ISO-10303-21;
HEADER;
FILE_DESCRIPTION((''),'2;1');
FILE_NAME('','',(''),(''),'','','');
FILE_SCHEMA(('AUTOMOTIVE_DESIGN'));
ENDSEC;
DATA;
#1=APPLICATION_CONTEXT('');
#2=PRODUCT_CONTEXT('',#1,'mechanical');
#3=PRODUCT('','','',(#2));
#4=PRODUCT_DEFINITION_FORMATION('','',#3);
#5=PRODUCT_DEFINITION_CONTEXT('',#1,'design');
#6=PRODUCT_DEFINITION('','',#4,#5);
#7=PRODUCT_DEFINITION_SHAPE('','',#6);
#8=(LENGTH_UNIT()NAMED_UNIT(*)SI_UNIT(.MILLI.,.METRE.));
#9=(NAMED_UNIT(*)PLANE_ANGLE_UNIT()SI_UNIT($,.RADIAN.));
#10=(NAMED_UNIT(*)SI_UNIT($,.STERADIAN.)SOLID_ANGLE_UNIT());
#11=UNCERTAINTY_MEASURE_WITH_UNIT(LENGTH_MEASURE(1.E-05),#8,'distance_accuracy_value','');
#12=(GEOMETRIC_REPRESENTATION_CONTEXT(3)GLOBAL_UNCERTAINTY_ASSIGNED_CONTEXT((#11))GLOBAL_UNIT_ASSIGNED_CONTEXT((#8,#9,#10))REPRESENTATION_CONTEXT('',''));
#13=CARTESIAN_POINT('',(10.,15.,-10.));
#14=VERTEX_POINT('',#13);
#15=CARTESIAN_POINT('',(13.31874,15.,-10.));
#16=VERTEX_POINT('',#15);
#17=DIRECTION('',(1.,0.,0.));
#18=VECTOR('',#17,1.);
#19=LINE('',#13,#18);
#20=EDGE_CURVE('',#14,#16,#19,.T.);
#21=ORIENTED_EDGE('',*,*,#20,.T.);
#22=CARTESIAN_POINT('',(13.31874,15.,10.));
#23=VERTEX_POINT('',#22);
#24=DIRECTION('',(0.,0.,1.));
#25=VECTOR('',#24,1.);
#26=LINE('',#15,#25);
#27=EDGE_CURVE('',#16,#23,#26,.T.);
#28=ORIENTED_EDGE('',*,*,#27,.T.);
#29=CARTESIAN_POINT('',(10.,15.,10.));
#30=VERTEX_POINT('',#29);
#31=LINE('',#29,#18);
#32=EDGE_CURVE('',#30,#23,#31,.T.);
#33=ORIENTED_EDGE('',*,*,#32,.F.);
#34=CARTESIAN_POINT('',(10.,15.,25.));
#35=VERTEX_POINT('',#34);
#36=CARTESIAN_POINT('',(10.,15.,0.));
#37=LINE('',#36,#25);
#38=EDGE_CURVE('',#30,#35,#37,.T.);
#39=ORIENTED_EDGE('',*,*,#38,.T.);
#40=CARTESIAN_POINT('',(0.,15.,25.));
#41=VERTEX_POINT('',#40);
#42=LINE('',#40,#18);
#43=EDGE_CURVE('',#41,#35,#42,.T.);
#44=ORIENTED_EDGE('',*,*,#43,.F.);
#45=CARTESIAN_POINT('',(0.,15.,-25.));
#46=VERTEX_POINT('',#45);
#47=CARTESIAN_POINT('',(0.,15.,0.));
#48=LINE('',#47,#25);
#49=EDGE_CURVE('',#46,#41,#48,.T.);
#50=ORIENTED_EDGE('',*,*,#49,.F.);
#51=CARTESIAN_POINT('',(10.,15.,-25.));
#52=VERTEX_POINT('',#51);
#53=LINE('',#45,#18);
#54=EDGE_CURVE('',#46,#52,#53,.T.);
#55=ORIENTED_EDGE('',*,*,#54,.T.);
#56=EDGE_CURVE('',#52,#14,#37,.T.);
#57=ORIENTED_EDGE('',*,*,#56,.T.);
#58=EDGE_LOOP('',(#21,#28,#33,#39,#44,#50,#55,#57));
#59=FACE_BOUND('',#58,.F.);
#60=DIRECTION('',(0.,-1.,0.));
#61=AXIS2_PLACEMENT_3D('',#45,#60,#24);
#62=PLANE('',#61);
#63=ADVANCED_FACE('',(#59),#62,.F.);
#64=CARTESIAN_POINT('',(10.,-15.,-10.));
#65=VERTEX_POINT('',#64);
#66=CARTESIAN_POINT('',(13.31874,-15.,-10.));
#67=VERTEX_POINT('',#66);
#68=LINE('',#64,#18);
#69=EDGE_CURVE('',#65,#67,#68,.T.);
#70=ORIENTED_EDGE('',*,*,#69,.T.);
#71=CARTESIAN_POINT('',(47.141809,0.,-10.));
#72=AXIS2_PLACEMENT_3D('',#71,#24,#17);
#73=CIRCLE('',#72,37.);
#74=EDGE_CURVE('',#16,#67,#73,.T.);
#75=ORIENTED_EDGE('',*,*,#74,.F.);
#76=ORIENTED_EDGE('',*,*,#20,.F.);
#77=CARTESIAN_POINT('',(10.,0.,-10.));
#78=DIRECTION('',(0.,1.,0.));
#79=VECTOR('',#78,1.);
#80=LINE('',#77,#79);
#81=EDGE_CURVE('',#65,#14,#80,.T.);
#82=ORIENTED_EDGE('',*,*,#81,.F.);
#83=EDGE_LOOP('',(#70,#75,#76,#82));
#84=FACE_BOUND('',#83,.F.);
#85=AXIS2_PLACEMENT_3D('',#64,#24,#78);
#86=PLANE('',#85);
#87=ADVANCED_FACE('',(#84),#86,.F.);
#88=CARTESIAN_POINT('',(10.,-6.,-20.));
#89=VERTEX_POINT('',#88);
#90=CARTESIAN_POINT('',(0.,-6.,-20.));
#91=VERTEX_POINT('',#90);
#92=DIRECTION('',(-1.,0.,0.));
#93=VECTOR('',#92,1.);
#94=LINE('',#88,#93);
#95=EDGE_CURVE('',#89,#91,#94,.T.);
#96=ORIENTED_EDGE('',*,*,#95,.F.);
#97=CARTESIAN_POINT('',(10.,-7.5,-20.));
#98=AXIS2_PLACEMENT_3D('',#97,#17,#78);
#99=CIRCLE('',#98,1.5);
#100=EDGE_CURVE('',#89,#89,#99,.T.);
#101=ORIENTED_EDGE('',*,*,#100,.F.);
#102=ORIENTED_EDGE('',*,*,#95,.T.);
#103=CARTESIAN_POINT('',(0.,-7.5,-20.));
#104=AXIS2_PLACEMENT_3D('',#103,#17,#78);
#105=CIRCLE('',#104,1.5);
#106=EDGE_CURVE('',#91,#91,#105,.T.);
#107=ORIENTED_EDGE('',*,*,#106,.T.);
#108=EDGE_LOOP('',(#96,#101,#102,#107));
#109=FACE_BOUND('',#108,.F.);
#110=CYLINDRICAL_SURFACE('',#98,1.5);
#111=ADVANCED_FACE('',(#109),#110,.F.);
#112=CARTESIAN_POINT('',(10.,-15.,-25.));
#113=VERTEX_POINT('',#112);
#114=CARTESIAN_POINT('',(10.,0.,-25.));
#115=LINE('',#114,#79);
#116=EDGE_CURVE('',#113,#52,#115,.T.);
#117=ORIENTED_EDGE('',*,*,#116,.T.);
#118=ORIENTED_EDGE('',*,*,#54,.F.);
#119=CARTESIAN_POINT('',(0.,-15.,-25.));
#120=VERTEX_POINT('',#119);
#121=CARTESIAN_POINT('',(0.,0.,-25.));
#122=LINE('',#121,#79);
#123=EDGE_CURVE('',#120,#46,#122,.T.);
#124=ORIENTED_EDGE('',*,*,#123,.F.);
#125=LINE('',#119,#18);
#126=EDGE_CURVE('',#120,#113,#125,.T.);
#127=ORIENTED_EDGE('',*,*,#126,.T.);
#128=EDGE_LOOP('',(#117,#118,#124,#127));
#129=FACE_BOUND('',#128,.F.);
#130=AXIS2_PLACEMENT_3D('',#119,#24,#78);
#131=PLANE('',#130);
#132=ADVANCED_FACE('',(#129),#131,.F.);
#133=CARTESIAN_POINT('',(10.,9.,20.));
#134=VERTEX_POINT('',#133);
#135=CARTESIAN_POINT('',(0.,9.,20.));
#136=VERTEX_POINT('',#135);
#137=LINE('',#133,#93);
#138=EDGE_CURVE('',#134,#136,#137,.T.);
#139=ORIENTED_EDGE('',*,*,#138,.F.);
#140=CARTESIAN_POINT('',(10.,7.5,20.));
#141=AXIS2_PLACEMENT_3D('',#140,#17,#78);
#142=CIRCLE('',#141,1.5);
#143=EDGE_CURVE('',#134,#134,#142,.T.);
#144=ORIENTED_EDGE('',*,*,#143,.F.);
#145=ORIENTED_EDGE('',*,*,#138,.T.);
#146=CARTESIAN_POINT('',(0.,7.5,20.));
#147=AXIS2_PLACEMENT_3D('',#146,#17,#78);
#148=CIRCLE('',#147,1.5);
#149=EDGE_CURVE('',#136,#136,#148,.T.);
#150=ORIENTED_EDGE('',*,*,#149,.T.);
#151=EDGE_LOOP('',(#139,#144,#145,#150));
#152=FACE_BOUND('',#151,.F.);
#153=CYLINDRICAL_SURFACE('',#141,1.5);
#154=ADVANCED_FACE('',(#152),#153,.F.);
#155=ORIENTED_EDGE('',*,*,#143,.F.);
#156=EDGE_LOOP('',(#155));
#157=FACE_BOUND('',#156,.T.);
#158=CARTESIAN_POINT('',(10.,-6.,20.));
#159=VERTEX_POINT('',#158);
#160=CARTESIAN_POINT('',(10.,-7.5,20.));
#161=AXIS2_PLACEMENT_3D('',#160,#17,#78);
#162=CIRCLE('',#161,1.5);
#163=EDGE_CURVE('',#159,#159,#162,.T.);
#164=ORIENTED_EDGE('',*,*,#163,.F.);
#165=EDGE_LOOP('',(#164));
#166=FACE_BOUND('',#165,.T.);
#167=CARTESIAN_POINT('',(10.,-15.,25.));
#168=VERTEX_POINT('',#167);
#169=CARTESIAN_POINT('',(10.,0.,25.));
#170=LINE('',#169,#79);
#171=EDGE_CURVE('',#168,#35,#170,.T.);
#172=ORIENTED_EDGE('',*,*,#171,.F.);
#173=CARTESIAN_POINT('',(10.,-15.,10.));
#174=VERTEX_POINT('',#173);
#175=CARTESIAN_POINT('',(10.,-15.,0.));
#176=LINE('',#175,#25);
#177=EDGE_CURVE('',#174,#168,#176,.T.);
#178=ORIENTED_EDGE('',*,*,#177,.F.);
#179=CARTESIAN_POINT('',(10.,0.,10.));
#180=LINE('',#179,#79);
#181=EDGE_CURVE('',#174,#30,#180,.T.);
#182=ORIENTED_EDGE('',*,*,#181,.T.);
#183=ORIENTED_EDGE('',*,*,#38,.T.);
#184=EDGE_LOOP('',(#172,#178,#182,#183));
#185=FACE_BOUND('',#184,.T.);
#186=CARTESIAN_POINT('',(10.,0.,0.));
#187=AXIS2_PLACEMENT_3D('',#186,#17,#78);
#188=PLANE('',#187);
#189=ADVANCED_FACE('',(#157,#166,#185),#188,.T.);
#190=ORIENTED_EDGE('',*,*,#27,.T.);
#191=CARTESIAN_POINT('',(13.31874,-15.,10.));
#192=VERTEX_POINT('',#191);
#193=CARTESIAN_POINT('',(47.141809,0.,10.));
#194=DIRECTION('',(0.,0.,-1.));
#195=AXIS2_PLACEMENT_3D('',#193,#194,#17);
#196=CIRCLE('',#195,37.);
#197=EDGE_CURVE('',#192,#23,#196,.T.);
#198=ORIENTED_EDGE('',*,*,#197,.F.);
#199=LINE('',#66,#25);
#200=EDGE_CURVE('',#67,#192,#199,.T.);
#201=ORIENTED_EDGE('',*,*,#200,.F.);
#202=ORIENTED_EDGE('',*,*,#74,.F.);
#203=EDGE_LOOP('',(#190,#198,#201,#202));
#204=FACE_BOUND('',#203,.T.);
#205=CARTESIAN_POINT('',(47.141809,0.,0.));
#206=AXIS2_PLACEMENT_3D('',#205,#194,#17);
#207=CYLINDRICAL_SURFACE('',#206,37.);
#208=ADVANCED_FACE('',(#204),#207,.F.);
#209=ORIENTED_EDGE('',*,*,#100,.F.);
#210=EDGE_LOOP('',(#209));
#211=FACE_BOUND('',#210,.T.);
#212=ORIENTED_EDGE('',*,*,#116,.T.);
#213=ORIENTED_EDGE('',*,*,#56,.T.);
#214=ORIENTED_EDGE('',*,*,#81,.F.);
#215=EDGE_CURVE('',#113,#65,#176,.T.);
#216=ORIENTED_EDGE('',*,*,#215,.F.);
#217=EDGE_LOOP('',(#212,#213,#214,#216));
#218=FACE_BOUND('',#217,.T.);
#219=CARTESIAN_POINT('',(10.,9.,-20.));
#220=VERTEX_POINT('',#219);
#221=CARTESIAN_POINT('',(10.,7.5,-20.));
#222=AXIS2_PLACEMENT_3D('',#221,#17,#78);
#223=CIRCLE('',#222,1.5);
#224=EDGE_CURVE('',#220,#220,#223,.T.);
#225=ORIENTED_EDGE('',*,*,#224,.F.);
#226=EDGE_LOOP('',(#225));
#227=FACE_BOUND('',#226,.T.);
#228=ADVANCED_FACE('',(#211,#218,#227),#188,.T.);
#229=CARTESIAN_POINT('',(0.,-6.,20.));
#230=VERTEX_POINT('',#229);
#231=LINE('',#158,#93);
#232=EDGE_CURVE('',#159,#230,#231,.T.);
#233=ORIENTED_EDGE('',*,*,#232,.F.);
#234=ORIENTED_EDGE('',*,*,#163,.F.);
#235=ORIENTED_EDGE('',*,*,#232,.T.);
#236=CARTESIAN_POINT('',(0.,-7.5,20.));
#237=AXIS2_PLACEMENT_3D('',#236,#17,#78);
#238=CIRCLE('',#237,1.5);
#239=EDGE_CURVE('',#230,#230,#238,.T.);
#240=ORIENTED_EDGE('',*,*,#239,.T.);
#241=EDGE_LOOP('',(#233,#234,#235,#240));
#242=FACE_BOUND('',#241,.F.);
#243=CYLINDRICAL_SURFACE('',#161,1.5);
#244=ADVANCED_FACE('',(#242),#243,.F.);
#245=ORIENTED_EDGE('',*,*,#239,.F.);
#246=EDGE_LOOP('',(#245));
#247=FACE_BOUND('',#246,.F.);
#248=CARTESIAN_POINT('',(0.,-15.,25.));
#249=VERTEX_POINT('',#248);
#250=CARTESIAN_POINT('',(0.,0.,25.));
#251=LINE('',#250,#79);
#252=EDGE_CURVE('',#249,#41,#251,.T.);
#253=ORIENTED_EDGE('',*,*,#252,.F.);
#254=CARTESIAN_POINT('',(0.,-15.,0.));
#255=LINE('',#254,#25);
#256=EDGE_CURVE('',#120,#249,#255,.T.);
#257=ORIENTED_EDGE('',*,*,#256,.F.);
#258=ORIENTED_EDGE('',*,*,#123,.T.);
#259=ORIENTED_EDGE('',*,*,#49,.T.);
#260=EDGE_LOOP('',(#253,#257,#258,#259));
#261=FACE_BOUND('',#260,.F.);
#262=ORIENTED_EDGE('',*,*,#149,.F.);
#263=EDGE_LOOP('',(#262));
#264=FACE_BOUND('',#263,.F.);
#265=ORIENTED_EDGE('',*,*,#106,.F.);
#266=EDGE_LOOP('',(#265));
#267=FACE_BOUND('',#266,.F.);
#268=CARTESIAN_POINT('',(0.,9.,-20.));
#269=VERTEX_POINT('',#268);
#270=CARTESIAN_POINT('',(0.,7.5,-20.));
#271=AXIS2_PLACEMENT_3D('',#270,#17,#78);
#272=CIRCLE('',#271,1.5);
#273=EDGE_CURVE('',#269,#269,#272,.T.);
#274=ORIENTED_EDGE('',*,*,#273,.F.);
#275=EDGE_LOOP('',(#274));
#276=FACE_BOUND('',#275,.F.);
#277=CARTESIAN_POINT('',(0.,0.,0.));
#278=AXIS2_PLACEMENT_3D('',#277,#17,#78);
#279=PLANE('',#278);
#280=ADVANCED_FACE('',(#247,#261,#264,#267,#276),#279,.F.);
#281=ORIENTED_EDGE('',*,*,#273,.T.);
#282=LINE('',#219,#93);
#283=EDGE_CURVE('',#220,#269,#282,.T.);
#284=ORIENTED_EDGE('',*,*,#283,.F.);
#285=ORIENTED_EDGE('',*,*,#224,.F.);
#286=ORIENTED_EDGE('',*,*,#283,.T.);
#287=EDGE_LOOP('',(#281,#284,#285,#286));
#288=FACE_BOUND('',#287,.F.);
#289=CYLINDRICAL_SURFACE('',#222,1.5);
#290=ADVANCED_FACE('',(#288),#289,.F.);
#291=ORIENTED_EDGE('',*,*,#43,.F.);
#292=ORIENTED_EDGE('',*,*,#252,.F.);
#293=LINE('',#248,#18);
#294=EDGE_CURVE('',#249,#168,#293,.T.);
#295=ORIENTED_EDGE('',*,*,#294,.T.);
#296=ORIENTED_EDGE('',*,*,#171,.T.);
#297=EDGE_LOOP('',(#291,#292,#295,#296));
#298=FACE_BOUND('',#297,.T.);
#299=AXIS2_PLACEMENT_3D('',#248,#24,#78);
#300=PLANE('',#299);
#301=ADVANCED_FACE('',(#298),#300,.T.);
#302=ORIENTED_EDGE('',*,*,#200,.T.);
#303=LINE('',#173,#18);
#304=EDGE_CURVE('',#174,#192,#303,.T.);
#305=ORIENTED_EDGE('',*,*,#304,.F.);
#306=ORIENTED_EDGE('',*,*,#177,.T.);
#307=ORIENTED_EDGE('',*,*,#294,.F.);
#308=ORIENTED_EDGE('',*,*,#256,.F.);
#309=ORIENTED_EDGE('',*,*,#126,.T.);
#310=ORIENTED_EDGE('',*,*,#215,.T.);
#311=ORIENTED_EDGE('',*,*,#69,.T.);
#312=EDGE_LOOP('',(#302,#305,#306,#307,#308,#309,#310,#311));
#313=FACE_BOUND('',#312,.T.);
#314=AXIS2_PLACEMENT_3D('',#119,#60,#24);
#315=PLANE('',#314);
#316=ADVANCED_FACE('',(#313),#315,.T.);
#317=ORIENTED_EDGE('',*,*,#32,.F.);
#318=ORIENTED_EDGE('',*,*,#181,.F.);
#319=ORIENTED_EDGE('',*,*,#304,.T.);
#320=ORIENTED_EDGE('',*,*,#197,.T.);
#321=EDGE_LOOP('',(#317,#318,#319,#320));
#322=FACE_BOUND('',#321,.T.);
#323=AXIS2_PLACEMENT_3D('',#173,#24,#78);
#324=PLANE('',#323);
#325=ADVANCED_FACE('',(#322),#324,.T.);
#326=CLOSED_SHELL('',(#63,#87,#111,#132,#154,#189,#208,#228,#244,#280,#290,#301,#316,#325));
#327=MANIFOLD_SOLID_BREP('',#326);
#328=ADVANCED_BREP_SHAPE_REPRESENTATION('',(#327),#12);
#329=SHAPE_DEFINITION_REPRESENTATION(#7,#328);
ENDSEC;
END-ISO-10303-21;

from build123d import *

# Parameters (mm, degrees)
F0_W     = 30
F0_H     = 50
F1_DEPTH = 10
F2_W     = 30
F2_H     = 20
F3_DEPTH = 10
F4_R     = 37
F5_DEPTH = 25.001
F6_DEPTH = 25.001
F7_R     = 1.5
F8_DEPTH = 10.001


with BuildPart() as f1:
    # F0 (on Right) → F1 (new body)
    with BuildSketch(Plane.YZ):
        Rectangle(F0_W, F0_H)
    extrude(amount=F1_DEPTH)

    # F2 (on face) → F3 (join)
    with BuildSketch(Plane.YZ.offset(10)):
        Rectangle(F2_W, F2_H)
    extrude(amount=F3_DEPTH)

    # F4 (on Top) → F5 (cut, through all)
    with BuildSketch(Plane.XY):
        with Locations((47.141809, 0)):
            Circle(F4_R)
    extrude(amount=-F5_DEPTH, mode=Mode.SUBTRACT)

    # F4 (on Top) → F6 (cut, through all)
    with BuildSketch(Plane.XY):
        with Locations((47.141809, 0)):
            Circle(F4_R)
    extrude(amount=F6_DEPTH, mode=Mode.SUBTRACT)

    # F7 (on face) → F8 (cut, through all)
    with BuildSketch(Plane.YZ.offset(10)):
        with Locations((-7.5, 20)):
            Circle(F7_R)
        with Locations((7.5, 20)):
            Circle(F7_R)
        with Locations((-7.5, -20)):
            Circle(F7_R)
        with Locations((7.5, -20)):
            Circle(F7_R)
    extrude(amount=-F8_DEPTH, mode=Mode.SUBTRACT)


solid = f1.part
